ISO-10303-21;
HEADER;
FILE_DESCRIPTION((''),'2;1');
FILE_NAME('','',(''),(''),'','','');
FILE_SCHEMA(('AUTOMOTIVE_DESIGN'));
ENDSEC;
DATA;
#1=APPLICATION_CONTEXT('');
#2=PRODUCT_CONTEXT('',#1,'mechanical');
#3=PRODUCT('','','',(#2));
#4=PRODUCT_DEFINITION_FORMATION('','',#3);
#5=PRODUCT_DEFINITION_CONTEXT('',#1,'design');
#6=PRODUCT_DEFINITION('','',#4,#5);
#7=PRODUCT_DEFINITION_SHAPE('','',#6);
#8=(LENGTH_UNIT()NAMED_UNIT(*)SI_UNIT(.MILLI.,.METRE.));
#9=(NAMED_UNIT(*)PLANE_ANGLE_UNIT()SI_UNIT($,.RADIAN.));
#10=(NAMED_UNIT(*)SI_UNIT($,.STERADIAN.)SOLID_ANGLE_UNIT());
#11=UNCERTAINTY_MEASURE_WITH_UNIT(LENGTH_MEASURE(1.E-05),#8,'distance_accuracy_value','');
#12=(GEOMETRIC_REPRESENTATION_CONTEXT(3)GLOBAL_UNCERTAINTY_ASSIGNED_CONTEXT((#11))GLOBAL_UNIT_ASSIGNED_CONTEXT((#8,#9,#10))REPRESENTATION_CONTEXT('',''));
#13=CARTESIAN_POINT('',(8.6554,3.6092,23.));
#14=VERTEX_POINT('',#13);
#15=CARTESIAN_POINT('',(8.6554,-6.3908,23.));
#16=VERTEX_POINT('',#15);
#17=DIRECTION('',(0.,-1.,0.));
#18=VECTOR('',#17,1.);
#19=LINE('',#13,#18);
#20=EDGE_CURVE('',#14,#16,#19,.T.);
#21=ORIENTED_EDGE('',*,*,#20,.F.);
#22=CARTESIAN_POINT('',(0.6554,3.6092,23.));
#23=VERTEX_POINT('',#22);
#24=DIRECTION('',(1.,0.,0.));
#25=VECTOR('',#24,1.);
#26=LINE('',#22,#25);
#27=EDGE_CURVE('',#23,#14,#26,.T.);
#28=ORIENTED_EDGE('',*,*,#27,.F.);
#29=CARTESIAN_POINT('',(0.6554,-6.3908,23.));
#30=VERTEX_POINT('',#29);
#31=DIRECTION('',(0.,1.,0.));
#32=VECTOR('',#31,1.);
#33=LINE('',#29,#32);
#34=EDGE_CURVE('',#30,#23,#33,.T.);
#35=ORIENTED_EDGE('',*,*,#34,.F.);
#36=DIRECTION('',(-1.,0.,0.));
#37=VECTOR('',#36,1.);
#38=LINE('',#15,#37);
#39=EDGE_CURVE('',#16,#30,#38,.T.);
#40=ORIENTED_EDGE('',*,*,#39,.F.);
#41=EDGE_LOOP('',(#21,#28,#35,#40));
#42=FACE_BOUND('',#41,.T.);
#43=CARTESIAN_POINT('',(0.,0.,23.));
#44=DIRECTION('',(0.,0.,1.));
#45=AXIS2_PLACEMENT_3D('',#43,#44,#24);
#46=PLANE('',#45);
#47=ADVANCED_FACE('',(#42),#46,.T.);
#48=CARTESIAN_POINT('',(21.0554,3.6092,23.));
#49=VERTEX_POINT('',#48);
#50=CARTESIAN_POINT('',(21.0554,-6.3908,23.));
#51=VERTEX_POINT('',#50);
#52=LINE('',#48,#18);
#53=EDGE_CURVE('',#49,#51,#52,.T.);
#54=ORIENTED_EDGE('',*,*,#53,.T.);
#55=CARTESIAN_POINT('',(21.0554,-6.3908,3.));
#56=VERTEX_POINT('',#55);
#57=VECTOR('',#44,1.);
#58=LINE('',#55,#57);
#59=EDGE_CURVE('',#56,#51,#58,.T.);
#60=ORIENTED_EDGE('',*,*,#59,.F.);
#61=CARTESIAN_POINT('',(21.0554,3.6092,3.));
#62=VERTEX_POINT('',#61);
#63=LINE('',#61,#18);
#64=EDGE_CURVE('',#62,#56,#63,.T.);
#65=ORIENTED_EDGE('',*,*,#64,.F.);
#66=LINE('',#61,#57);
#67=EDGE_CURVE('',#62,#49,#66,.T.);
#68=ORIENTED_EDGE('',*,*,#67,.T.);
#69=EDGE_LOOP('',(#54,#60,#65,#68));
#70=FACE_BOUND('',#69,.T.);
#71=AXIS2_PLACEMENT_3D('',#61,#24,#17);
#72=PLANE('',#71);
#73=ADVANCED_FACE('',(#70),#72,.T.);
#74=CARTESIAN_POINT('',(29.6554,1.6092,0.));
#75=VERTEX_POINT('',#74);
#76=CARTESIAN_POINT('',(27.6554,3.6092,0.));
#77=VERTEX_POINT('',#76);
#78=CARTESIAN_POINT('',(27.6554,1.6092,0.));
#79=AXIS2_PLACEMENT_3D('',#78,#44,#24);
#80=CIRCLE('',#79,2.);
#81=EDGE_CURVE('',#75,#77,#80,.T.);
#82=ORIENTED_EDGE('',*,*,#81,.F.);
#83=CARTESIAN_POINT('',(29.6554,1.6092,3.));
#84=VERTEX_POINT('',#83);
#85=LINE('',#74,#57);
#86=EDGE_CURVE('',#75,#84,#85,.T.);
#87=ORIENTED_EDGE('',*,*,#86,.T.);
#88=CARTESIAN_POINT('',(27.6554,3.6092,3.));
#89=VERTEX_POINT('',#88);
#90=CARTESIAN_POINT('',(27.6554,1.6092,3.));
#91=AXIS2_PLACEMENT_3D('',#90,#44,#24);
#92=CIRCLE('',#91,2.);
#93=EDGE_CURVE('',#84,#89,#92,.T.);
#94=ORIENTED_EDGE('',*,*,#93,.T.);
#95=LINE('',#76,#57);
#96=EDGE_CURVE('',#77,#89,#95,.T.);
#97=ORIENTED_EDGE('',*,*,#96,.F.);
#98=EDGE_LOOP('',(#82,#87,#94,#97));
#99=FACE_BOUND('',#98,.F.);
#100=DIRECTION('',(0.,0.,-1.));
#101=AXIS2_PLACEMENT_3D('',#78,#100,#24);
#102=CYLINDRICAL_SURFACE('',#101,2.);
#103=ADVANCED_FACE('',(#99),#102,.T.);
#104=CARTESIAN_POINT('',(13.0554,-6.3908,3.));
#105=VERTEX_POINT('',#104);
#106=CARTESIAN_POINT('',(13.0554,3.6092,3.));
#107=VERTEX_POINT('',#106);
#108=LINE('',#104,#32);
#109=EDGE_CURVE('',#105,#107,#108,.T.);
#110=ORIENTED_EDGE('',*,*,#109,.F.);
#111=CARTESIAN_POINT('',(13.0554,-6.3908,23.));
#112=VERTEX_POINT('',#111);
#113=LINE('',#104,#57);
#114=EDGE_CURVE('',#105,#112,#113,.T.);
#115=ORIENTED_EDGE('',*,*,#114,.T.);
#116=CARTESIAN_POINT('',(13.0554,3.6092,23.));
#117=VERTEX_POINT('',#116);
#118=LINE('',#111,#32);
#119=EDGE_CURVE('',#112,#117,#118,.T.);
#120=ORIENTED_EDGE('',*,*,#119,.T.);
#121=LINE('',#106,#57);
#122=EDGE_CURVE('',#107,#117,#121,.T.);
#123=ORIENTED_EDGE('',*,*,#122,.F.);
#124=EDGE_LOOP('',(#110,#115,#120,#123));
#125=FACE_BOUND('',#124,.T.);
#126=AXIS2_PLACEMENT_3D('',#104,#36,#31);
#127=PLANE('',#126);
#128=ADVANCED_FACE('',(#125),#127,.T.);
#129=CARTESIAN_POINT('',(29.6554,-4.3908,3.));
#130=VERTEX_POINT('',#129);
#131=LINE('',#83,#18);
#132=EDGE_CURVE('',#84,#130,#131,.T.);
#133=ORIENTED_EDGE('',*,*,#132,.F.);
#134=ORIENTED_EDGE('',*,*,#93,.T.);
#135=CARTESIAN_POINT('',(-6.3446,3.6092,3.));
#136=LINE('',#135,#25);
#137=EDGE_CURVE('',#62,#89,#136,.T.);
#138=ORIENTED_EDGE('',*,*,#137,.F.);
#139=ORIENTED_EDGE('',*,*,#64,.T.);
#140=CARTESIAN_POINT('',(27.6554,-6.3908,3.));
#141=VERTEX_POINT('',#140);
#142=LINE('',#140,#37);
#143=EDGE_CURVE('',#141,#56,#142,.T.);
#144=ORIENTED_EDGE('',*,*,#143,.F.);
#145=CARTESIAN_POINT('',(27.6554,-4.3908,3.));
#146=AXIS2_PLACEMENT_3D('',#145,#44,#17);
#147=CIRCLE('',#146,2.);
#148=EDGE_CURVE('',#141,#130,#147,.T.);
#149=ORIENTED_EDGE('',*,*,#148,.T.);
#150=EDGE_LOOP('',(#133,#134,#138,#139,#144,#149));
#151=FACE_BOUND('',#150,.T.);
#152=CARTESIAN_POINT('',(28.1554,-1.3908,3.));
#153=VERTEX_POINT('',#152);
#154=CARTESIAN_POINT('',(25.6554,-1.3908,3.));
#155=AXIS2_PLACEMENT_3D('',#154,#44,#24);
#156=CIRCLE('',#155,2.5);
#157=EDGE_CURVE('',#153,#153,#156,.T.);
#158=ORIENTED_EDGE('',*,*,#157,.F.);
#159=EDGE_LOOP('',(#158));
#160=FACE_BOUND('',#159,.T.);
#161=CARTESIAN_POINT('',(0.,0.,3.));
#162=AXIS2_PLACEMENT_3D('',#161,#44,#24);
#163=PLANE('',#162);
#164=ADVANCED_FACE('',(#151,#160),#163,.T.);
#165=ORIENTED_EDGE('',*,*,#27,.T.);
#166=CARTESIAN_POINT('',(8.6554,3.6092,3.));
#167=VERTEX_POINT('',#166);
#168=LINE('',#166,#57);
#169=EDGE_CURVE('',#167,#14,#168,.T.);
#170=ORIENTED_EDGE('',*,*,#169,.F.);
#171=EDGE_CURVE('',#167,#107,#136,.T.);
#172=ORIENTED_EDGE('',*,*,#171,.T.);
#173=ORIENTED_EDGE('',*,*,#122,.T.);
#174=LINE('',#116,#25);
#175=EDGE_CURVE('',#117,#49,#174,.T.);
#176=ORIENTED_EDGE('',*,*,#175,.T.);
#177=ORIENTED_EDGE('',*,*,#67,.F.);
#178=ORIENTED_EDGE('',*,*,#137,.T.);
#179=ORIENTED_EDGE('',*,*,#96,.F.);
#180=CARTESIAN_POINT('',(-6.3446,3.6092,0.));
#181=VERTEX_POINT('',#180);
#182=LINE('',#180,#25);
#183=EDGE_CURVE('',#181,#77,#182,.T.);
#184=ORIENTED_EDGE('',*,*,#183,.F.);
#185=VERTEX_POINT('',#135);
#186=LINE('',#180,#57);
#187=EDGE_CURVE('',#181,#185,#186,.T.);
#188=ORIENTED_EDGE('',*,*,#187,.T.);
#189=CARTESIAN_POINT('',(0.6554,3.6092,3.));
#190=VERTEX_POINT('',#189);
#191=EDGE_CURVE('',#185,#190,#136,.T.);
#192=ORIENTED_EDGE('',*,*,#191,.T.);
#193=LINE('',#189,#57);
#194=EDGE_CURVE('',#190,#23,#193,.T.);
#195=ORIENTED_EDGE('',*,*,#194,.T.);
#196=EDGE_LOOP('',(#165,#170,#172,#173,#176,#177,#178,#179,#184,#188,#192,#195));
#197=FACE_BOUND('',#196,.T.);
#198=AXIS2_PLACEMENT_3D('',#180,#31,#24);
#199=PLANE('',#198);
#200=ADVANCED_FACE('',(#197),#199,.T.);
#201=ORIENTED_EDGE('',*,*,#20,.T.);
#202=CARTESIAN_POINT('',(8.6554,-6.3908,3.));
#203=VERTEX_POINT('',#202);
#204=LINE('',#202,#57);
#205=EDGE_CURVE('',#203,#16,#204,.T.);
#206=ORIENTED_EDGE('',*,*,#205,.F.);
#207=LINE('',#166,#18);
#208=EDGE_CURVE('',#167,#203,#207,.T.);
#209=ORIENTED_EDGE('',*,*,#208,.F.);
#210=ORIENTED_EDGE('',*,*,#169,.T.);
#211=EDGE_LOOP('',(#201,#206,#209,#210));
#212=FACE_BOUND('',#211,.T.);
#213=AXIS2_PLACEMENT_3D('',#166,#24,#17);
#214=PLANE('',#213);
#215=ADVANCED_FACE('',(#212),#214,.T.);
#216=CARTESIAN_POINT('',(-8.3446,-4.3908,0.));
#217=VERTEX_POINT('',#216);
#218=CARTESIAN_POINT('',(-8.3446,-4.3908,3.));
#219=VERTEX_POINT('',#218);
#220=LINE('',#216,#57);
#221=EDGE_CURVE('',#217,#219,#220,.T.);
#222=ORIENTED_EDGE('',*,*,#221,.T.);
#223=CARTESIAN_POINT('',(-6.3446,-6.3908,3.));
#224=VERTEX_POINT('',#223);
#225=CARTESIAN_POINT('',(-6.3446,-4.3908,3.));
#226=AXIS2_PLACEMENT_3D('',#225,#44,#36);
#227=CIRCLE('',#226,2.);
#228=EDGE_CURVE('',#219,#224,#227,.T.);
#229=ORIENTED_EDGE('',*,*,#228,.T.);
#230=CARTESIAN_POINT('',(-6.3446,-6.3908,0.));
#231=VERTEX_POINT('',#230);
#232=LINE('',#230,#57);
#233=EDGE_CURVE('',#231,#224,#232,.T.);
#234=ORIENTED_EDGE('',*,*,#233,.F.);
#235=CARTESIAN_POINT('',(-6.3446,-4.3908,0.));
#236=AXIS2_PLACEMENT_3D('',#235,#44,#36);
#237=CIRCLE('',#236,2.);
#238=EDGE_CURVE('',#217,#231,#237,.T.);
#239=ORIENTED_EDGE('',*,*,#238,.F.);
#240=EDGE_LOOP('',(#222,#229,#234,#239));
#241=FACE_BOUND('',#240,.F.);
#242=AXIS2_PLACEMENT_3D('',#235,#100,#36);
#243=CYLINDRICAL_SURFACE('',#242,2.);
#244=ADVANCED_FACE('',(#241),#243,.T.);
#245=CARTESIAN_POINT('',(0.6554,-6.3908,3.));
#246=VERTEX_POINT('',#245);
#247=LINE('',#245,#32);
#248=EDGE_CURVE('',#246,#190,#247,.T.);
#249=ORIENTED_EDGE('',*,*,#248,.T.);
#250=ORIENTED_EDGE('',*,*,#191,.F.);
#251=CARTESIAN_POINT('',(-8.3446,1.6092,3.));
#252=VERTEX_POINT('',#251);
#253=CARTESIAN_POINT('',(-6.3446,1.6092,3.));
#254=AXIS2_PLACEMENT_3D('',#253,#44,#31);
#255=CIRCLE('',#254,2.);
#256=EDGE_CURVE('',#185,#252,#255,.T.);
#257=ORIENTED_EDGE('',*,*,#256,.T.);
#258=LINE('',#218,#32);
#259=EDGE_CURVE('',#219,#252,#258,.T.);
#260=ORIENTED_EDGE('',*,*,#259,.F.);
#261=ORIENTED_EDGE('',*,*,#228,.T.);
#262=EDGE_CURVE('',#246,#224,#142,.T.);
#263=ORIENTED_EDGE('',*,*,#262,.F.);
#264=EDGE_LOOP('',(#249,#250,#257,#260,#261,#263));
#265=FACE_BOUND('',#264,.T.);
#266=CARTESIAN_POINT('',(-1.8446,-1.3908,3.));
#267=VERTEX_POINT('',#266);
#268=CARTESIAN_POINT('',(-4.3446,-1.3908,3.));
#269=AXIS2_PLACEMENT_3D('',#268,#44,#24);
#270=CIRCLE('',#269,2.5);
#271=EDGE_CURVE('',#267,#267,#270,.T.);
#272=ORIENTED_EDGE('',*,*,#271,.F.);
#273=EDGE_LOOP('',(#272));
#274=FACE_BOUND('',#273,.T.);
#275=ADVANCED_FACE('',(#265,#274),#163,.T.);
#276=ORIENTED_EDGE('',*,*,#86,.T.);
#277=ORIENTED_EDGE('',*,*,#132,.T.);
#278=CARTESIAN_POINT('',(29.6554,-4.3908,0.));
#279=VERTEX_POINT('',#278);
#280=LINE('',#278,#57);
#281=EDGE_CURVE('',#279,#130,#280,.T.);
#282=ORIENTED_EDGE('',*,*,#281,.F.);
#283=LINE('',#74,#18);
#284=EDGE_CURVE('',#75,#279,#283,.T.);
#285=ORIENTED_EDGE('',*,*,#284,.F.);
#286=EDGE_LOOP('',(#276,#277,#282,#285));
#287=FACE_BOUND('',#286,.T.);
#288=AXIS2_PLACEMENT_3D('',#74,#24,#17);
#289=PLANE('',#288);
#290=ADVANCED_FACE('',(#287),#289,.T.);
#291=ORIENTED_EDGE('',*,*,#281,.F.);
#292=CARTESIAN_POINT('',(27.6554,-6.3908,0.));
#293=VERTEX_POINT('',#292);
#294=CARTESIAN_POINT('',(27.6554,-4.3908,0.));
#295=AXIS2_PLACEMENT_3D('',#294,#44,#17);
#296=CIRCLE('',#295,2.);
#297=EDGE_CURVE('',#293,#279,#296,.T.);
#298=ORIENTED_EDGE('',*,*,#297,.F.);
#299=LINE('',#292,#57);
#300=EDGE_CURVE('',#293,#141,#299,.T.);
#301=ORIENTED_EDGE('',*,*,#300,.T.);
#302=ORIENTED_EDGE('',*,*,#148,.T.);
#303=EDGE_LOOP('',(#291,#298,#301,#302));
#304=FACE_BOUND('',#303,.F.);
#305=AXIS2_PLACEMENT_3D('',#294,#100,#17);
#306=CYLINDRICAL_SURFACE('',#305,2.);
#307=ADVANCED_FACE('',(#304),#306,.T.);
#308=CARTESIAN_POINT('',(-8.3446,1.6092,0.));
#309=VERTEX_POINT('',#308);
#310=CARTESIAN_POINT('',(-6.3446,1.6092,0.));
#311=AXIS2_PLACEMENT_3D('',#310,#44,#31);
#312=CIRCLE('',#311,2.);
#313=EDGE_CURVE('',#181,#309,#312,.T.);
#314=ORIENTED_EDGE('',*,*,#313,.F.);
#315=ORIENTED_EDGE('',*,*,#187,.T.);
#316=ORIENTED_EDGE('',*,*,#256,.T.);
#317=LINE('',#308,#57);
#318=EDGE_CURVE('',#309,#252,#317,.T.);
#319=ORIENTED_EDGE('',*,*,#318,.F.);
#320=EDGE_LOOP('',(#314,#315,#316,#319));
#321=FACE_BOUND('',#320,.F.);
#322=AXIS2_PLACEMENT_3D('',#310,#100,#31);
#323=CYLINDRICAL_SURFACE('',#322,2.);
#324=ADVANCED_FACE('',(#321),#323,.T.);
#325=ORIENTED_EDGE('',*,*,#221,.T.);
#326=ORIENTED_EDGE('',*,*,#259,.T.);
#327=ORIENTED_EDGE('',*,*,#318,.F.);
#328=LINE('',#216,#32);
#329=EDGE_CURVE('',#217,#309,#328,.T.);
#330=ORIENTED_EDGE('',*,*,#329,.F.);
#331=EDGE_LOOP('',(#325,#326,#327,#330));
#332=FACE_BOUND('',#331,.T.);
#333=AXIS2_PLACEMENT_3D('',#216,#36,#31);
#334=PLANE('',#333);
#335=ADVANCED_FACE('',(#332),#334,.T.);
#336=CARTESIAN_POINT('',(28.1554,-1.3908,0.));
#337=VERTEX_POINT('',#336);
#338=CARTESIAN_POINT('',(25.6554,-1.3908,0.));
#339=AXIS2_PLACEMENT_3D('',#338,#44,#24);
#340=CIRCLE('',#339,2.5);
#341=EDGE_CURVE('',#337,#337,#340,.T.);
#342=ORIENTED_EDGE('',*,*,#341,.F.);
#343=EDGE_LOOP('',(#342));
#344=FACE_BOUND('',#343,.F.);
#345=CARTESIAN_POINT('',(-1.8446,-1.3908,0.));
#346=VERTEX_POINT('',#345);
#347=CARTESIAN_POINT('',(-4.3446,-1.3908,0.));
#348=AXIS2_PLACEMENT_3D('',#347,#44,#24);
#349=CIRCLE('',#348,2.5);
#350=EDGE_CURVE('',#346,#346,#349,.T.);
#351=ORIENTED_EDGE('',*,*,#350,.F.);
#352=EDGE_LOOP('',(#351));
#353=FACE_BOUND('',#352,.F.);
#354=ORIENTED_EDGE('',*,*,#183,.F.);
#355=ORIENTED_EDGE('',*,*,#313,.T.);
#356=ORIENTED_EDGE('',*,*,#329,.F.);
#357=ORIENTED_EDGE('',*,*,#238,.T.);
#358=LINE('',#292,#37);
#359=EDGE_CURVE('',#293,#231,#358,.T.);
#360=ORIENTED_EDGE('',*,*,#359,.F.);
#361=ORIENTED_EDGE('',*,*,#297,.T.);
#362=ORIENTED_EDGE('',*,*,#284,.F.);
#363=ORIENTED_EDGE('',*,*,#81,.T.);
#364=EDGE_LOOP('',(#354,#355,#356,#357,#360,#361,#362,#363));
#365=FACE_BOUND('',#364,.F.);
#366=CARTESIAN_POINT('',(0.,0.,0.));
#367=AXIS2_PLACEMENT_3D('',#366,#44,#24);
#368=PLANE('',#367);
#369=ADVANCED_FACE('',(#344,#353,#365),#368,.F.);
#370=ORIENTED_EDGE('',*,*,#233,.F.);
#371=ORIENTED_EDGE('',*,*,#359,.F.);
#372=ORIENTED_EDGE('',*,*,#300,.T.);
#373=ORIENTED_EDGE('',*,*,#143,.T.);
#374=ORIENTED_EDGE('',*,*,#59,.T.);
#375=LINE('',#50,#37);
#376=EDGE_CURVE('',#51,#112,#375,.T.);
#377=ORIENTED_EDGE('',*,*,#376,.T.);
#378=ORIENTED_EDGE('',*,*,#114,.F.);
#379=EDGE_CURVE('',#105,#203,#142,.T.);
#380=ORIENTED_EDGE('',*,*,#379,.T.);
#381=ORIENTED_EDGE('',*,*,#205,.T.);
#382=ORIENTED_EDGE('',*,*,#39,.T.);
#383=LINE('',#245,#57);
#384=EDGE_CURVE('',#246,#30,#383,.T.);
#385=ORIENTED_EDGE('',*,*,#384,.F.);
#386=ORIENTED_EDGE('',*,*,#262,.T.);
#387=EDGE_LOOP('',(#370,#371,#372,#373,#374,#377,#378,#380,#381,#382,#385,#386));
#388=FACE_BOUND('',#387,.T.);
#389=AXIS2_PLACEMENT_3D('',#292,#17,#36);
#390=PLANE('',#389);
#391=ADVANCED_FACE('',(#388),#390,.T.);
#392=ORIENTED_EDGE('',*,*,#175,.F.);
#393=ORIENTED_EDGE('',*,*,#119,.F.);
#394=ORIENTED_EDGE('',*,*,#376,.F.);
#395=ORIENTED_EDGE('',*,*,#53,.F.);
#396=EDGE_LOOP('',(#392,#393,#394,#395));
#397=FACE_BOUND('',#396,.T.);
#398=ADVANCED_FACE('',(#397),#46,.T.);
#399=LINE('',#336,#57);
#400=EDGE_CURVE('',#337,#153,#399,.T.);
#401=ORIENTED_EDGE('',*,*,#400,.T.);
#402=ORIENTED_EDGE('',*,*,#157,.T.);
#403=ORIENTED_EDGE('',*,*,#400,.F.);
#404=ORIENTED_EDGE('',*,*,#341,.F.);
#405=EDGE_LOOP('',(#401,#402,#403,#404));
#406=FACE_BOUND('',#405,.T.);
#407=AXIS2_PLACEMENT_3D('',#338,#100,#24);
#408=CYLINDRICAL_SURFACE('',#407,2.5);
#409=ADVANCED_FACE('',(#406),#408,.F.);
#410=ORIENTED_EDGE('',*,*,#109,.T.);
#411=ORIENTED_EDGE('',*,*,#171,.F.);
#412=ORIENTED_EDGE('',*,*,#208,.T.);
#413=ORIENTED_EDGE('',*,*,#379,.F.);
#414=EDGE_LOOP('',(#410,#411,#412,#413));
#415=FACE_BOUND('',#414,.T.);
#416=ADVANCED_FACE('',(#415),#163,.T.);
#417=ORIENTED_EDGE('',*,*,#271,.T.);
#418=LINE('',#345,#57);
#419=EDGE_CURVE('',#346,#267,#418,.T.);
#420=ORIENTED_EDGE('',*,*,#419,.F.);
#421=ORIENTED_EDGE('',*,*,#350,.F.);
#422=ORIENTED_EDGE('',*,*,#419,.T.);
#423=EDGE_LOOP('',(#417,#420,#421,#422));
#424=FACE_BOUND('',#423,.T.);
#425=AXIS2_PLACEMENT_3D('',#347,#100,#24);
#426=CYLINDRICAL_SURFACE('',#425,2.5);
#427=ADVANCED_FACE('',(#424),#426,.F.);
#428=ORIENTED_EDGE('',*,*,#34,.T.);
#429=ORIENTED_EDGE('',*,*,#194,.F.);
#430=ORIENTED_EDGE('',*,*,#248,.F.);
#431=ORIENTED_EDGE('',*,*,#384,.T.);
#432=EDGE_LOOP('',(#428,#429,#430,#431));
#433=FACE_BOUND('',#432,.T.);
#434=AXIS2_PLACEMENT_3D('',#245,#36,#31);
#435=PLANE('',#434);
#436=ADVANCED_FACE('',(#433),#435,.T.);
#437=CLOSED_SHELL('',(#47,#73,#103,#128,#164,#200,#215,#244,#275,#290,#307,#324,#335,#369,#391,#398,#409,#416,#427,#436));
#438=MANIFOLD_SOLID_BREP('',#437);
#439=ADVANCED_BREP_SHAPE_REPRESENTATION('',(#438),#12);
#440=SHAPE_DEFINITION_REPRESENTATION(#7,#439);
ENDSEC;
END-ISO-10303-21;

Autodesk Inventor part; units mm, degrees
ref_plane "YZ Plane" through (0, 0, 0) normal (1, 0, 0) x (0, 1, 0)
ref_plane "XZ Plane" through (0, 0, 0) normal (0, 1, 0) x (-1, 0, 0)
ref_plane "XY Plane" through (0, 0, 0) normal (0, 0, 1) x (1, 0, 0)
sketch "Náčrt1" plane through (0, 0, 0) normal (0, 0, 1) x (1, 0, 0)
  line L0 (-6.3446, 3.6092) -> (27.6554, 3.6092)
  line L1 (29.6554, 1.6092) -> (29.6554, -4.3908)
  line L2 (27.6554, -6.3908) -> (-6.3446, -6.3908)
  line L3 (-8.3446, -4.3908) -> (-8.3446, 1.6092)
  circle A0 centre (-4.3446, -1.3908) radius 2.5
  circle A1 centre (25.6554, -1.3908) radius 2.5
  arc A2 (-6.3446, 3.6092) -> (-8.3446, 1.6092) centre (-6.3446, 1.6092) ccw
  arc A3 (29.6554, 1.6092) -> (27.6554, 3.6092) centre (27.6554, 1.6092) ccw
  arc A4 (27.6554, -6.3908) -> (29.6554, -4.3908) centre (27.6554, -4.3908) ccw
  arc A5 (-8.3446, -4.3908) -> (-6.3446, -6.3908) centre (-6.3446, -4.3908) ccw
  point P0 (0, 0)
  point P1 (-8.3446, 3.6092)
  point P2 (29.6554, 3.6092)
  point P3 (-8.3446, -6.3908)
  dimension "d0" = 38
  dimension "d1" = 10
  dimension "d2" = 5
  dimension "d3" = 5
  dimension "d4" = 5
  dimension "d5" = 5
  dimension "d6" = 4
  dimension "d7" = 4
  dimension "d8" = 2
extrude "Vysunutí1" add sketch "Náčrt1" along normal blind 3
sketch "Náčrt2" plane through (0, 0, 3) normal (0, 0, 1) x (1, 0, 0)
  line L0 (0.6554, 3.6092) -> (8.6554, 3.6092)
  line L1 (8.6554, 3.6092) -> (8.6554, -6.3908)
  line L2 (8.6554, -6.3908) -> (0.6554, -6.3908)
  line L3 (0.6554, -6.3908) -> (0.6554, 3.6092)
  line L4 (13.0554, 3.6092) -> (21.0554, 3.6092)
  line L5 (21.0554, 3.6092) -> (21.0554, -6.3908)
  line L6 (21.0554, -6.3908) -> (13.0554, -6.3908)
  line L7 (13.0554, -6.3908) -> (13.0554, 3.6092)
  line L8 (-8.3446, 1.6092) -> (-8.3446, -4.3908) projected
  line L9 (-6.3446, -6.3908) -> (27.6554, -6.3908) projected
  line L10 (27.6554, 3.6092) -> (-6.3446, 3.6092) projected
  point P0 (0, 0)
  point P1 (4.6554, -6.3908)
  dimension "d11" = 4.4
  dimension "d12" = 8
  dimension "d13" = 8
  dimension "d14" = 9
  dimension "d15" = 10
  dimension "d16" = 0
  dimension "d21" = 0
extrude "Vysunutí2" add sketch "Náčrt2" along normal blind 20 contours L0 L1 L2 L3 | L4 L5 L6 L7
properties part number "uchytka"
